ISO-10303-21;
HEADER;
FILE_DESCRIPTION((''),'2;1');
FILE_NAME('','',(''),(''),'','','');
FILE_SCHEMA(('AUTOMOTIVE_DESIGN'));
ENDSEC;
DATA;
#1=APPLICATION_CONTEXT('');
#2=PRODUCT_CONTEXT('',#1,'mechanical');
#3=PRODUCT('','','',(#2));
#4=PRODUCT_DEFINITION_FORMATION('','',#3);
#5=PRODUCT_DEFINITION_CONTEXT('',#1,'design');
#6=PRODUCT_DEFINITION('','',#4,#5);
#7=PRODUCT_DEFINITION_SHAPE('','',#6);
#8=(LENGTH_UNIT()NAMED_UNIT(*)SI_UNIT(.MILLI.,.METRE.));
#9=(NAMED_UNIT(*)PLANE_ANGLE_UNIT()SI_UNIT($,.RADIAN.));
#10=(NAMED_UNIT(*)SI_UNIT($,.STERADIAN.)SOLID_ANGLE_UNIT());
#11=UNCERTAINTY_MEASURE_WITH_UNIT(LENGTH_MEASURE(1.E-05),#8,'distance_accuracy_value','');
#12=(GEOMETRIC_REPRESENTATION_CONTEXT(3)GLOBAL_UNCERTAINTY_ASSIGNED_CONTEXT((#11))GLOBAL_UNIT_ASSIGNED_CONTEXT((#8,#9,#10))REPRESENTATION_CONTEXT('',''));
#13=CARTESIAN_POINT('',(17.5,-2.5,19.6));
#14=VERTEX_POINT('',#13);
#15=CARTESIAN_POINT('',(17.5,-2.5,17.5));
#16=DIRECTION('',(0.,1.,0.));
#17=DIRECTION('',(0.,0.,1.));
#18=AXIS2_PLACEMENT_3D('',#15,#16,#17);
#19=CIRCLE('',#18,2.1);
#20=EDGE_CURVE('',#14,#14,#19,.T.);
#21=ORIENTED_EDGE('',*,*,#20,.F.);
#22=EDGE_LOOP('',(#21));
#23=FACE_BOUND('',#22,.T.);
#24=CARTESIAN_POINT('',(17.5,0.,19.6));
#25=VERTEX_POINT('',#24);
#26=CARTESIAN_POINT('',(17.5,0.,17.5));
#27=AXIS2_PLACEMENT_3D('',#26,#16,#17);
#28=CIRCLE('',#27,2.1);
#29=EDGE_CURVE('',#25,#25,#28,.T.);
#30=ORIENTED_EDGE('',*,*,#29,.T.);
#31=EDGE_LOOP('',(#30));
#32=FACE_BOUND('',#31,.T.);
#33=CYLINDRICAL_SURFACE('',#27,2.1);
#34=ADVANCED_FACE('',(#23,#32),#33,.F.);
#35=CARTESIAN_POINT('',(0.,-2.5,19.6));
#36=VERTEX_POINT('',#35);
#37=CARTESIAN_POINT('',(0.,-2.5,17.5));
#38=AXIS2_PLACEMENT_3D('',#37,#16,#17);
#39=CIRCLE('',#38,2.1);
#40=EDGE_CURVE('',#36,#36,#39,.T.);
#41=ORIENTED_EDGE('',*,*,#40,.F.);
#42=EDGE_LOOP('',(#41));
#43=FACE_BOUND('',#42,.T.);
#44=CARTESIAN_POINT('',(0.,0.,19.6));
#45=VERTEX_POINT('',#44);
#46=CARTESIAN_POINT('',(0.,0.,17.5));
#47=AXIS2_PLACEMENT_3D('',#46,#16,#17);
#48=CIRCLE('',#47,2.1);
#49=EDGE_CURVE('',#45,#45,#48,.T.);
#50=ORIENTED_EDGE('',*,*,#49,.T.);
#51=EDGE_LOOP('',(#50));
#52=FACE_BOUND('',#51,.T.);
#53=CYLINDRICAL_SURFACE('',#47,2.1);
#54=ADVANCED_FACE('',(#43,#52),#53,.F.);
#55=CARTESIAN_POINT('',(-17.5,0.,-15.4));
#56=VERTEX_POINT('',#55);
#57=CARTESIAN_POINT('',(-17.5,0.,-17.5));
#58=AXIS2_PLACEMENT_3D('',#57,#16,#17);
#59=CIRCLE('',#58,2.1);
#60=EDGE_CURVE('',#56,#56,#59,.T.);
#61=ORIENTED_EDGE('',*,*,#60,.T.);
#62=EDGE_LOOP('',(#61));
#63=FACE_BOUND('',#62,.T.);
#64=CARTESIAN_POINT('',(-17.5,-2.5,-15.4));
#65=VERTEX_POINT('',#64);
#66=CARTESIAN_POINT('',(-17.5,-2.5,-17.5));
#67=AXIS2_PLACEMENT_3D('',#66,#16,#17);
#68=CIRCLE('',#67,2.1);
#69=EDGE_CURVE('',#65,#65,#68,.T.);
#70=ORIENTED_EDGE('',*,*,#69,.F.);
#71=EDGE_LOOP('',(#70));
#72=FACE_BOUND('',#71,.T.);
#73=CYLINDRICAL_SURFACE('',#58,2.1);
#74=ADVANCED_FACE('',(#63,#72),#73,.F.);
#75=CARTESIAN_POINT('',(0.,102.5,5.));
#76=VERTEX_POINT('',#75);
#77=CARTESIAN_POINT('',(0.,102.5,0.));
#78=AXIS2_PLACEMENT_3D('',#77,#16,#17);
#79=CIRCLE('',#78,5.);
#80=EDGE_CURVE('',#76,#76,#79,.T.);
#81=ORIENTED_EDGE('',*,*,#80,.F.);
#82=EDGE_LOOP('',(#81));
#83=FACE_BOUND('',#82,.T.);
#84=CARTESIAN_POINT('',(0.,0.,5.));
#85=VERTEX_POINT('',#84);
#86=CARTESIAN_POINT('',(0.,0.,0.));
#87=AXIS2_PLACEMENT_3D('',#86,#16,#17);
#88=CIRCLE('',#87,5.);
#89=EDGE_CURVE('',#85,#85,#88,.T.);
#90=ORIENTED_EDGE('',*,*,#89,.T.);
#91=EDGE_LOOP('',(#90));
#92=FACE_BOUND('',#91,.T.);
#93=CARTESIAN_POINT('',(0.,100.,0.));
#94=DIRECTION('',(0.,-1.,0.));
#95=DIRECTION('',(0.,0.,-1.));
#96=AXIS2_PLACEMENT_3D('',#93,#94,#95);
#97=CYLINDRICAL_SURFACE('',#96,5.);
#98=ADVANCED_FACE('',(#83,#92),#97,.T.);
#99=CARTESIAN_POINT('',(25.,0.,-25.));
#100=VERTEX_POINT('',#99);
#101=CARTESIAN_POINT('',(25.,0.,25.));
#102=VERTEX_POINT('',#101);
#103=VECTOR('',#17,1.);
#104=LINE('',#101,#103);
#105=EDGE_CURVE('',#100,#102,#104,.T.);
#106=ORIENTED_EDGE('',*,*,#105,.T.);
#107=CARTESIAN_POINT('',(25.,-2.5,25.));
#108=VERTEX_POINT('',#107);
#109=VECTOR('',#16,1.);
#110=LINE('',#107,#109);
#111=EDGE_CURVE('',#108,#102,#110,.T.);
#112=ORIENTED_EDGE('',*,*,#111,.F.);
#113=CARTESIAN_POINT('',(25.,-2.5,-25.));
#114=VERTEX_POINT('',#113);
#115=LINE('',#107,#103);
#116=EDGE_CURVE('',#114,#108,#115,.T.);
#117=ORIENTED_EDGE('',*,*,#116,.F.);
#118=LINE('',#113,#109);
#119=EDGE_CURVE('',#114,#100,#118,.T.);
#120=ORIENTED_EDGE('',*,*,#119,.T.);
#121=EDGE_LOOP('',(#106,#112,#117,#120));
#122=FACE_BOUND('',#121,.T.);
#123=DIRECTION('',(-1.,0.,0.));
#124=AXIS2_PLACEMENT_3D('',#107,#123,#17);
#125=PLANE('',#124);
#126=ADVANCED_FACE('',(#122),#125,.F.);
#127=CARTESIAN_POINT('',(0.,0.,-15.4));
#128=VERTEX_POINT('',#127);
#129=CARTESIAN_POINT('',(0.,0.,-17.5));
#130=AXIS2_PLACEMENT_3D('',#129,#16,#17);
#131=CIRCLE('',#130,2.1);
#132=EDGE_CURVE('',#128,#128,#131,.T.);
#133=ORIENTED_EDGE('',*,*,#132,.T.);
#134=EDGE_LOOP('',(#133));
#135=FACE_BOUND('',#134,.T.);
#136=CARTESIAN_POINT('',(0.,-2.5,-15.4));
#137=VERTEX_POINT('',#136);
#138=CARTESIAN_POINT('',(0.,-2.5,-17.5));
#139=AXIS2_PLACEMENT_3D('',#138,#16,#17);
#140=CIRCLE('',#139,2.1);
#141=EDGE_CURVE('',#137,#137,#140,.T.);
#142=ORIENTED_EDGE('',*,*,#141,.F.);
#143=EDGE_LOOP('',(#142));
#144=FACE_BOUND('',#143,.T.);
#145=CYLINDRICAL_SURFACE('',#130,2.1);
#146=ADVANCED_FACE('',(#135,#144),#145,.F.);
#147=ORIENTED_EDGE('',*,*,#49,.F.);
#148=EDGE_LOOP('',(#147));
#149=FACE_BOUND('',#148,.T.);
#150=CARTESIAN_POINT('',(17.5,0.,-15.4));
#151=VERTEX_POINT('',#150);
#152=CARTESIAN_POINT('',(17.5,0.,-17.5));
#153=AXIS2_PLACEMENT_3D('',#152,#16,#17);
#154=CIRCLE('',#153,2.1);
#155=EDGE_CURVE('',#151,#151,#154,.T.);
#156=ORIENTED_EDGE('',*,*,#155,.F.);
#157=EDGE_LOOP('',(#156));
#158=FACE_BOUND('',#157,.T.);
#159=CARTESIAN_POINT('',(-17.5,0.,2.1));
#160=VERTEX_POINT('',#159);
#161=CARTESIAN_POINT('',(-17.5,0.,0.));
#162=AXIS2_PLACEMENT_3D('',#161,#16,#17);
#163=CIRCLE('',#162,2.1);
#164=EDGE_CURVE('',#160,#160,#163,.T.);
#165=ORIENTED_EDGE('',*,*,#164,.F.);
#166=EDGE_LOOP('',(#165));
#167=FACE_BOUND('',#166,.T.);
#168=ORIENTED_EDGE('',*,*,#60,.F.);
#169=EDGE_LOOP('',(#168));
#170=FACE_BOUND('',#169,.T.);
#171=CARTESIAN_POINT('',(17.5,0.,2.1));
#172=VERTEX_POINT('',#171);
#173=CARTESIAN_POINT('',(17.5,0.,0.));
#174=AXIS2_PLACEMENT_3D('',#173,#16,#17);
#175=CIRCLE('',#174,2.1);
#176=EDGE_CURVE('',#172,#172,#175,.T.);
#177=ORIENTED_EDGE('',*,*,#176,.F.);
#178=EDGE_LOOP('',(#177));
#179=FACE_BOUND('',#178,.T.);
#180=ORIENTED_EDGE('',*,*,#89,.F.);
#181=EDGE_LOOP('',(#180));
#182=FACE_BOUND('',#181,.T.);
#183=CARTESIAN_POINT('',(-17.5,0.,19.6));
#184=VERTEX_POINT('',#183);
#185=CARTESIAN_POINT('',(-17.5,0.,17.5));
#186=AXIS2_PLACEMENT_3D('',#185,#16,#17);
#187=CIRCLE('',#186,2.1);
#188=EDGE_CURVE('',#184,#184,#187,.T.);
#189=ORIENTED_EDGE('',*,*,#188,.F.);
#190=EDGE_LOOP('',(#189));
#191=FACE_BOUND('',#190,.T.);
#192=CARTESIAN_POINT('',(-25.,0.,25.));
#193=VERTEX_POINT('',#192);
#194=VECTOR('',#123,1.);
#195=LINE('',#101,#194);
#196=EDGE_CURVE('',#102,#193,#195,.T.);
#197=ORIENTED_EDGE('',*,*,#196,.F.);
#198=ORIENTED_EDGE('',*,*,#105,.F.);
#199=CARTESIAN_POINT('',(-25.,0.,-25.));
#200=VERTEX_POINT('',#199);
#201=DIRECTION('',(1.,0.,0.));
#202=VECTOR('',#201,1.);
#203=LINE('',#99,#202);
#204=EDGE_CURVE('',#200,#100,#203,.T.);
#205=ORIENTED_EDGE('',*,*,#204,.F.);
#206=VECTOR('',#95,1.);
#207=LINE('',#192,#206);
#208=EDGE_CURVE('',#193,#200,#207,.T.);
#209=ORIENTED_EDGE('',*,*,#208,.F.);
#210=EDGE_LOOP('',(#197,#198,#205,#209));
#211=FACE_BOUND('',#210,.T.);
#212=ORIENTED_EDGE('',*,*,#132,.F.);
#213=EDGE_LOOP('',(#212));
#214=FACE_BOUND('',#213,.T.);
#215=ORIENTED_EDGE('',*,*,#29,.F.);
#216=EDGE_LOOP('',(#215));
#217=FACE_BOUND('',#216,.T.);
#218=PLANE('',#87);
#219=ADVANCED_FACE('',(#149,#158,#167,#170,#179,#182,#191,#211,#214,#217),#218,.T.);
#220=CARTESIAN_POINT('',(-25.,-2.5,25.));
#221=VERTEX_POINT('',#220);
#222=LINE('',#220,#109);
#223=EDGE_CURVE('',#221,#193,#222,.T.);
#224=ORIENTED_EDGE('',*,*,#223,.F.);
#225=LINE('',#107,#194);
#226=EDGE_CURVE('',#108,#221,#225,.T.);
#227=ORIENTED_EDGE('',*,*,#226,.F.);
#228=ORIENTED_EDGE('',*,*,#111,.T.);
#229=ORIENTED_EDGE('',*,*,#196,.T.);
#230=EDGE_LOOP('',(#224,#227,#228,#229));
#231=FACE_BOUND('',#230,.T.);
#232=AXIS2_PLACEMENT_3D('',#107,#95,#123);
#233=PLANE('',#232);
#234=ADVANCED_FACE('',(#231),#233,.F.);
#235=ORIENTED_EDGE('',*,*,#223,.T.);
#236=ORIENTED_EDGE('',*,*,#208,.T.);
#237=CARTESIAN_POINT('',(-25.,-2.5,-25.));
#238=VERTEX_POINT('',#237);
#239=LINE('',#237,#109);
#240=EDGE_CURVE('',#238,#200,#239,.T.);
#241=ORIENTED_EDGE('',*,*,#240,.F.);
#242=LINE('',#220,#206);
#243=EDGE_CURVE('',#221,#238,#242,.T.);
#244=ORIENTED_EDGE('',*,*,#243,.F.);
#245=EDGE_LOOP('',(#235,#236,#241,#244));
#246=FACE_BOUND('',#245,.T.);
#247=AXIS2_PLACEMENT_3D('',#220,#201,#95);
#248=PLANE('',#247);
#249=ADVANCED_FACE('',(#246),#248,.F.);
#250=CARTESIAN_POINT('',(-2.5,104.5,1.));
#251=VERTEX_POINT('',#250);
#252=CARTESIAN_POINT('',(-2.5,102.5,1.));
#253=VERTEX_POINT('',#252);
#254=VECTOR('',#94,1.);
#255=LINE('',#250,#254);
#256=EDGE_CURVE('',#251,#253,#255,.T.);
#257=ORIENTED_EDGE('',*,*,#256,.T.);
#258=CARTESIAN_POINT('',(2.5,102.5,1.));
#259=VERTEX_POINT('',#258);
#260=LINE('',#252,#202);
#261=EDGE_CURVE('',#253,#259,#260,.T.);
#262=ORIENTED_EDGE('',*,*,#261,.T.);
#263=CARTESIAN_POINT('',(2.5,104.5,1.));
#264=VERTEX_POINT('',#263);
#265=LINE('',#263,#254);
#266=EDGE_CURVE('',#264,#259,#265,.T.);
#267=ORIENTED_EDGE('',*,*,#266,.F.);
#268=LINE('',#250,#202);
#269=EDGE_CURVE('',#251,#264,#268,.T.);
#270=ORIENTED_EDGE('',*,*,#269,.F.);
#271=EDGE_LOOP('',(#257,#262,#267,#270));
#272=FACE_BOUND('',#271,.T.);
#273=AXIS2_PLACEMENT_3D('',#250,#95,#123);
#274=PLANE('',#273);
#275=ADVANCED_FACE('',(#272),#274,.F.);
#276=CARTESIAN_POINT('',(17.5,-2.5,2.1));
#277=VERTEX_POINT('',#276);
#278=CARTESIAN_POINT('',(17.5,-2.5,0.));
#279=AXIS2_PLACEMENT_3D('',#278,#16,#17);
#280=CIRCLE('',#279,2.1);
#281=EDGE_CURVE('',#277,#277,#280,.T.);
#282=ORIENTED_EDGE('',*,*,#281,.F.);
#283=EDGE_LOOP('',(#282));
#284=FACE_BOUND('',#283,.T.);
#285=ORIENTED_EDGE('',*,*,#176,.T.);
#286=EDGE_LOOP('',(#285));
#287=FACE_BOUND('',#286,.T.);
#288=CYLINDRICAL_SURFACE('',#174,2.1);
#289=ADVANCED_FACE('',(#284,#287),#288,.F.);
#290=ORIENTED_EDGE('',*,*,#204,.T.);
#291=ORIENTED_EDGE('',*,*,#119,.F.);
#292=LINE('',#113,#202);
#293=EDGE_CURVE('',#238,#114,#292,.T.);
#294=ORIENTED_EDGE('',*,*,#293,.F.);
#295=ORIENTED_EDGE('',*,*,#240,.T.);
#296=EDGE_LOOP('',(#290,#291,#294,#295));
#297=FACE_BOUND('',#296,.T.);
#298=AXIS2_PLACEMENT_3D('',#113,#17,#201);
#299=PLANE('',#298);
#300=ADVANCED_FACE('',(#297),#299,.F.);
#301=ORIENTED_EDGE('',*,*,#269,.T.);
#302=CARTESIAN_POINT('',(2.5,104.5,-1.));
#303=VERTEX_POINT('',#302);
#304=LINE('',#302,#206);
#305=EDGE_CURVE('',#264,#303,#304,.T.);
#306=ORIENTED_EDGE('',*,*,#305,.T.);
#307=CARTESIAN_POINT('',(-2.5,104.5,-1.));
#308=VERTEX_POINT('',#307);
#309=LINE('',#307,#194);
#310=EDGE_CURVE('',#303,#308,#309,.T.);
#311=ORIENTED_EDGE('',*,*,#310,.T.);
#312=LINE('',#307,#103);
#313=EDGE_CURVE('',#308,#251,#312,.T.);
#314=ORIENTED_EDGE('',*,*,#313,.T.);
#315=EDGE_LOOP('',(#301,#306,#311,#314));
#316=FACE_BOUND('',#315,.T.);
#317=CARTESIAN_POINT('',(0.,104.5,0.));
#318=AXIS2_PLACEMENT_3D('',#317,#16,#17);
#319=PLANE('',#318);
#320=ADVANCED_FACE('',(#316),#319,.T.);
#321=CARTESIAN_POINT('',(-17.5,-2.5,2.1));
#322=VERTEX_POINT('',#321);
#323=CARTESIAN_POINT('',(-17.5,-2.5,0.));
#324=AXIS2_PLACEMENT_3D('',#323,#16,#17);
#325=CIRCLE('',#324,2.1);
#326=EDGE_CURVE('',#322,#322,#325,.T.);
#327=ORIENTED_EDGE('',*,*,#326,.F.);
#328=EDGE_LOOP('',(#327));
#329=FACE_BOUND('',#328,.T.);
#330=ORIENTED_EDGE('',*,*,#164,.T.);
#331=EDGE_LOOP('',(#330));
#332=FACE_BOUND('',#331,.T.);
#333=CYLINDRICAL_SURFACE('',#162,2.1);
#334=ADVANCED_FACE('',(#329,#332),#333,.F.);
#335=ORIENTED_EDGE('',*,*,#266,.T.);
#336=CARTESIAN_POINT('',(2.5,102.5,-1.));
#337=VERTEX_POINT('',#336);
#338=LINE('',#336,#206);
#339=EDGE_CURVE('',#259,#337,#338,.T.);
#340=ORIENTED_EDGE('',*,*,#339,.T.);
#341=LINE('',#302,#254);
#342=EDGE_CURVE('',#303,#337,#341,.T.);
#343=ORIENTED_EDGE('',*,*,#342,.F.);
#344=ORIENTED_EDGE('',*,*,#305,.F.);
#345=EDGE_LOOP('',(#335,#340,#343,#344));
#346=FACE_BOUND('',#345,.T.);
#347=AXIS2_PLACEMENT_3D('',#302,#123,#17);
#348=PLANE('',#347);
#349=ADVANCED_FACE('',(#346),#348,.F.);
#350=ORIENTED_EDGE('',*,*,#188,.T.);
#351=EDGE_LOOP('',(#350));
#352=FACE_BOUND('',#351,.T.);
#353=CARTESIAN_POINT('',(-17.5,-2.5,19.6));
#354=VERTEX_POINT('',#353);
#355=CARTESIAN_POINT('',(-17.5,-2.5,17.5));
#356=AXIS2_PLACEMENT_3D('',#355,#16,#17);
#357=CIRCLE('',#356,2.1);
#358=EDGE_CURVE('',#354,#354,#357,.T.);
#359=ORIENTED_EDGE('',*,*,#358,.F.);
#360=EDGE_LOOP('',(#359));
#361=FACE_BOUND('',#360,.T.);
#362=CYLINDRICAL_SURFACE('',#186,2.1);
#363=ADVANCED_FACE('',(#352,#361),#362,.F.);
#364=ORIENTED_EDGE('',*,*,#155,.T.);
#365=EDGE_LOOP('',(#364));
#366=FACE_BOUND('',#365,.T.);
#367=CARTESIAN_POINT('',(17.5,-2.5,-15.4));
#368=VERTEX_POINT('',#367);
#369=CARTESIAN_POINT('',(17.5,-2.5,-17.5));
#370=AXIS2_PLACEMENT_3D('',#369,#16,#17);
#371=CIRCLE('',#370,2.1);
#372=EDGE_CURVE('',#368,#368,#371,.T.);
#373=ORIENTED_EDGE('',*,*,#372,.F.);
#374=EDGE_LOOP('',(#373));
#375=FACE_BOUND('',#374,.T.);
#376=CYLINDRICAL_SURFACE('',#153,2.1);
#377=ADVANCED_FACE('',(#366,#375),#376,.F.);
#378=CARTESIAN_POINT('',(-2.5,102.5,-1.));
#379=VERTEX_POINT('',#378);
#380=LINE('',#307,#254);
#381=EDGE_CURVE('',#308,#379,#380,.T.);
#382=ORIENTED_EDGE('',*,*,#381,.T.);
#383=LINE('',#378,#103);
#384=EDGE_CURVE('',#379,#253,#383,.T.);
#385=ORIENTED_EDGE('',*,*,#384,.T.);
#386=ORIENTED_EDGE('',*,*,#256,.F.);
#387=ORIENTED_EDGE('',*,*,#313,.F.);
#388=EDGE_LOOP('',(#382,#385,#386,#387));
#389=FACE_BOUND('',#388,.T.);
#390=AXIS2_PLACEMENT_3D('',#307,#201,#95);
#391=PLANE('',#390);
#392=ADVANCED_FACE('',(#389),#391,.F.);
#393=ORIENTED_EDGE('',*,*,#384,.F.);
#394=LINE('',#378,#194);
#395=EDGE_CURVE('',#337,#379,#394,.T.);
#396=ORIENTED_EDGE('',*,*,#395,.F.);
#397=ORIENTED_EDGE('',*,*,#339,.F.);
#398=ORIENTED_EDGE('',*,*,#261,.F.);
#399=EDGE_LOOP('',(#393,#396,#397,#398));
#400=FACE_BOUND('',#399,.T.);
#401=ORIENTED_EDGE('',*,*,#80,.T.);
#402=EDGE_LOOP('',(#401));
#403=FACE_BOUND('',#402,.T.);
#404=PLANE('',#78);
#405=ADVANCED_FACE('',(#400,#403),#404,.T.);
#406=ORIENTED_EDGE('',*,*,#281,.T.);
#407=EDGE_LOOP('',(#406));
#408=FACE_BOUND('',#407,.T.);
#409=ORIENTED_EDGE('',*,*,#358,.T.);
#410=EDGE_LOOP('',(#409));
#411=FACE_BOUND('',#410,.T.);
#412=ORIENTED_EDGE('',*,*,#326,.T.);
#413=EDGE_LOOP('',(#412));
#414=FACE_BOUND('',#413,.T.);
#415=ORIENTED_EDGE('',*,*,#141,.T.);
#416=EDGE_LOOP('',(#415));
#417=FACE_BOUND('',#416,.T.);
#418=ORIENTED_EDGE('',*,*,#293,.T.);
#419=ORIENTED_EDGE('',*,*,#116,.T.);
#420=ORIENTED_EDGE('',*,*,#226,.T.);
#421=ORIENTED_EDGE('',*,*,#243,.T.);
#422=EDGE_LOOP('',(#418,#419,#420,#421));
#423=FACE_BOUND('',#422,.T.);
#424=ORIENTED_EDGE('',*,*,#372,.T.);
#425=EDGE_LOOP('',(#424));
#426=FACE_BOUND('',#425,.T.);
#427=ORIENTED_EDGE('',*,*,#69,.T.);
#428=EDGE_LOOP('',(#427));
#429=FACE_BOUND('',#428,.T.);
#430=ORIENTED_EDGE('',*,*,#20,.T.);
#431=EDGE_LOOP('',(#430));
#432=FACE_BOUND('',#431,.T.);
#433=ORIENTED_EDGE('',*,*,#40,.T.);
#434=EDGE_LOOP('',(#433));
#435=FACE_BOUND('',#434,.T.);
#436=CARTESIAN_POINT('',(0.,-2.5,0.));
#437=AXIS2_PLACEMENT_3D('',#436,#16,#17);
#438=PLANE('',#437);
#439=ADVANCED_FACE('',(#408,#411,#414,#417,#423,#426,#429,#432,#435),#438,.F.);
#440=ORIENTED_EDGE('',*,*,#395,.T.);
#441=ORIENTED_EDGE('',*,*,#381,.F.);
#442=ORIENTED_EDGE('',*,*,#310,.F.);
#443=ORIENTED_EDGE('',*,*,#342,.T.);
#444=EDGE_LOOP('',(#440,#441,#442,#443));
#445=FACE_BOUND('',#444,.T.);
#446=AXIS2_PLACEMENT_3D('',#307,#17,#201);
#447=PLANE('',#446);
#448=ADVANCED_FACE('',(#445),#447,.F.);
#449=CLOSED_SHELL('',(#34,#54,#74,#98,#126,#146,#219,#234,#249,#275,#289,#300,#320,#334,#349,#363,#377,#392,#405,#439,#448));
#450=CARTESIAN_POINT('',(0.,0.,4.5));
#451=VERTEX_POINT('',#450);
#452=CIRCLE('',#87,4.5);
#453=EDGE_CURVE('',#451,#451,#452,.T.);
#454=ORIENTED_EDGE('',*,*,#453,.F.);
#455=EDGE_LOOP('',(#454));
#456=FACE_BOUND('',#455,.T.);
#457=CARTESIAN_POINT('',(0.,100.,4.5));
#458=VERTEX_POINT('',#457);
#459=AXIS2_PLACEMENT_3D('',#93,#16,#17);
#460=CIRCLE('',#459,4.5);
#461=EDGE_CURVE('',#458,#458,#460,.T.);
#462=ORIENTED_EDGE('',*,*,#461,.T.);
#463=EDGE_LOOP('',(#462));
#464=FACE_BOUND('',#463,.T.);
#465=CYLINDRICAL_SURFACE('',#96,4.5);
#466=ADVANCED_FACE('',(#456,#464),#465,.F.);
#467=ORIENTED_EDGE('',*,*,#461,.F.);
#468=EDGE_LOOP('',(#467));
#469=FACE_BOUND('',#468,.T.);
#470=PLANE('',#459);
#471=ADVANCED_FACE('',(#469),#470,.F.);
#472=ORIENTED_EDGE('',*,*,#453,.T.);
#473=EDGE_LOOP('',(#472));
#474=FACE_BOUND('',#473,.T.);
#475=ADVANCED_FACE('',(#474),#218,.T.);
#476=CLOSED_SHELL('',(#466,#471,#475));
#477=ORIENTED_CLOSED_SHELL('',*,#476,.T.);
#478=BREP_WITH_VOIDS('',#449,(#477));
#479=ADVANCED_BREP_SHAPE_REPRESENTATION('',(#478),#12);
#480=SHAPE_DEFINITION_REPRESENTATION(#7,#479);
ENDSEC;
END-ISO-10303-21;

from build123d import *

# Parameters (mm, degrees)
SKETCH1_R                 = 5
SKETCH1_R_2               = 4.5
BOSS_EXTRUDE1_DEPTH       = 100
SKETCH2_R                 = 5
BOSS_EXTRUDE2_DEPTH       = 2.5
SKETCH3_W                 = 50
SKETCH3_H                 = 50
BOSS_EXTRUDE3_DEPTH       = 2.5
M5X0_8_TAPPED_HOLE1_D     = 4.2
M5X0_8_TAPPED_HOLE1_DEPTH = 14
M5X0_8_TAPPED_HOLE1_TIP   = 1.2618073
SKETCH6_W                 = 5
SKETCH6_H                 = 2
BOSS_EXTRUDE5_DEPTH       = 2


with BuildPart() as part:
    # Sketch1 → Boss-Extrude1 (new body)
    with BuildSketch(Plane(origin=(0, 0, 0), x_dir=(1, 0, 0), z_dir=(0, 1, 0))):
        with Locations(Location((0, 0, 0), (0, 0, 270))):
            Circle(SKETCH1_R)
        with Locations(Location((0, 0, 0), (0, 0, 270))):
            Circle(SKETCH1_R_2, mode=Mode.SUBTRACT)
    extrude(amount=BOSS_EXTRUDE1_DEPTH)

    # Sketch2 → Boss-Extrude2 (add)
    with BuildSketch(Plane(origin=(0, 100, 0), x_dir=(1, 0, 0), z_dir=(0, 1, 0))):
        with Locations(Location((0, 0, 0), (0, 0, 270))):
            Circle(SKETCH2_R)
    extrude(amount=BOSS_EXTRUDE2_DEPTH)

    # Sketch3 → Boss-Extrude3 (add)
    with BuildSketch(Plane.XZ):
        Rectangle(SKETCH3_W, SKETCH3_H)
    extrude(amount=BOSS_EXTRUDE3_DEPTH)

    # M5x0.8 Tapped Hole1
    with Locations(Plane(origin=(0, 0, 0), x_dir=(1, 0, 0), z_dir=(0, 1, 0))):
        with Locations((-17.5, 0), (-17.5, -17.5), (0, -17.5), (17.5, -17.5), (17.5, 0), (17.5, 17.5), (0, 17.5), (-17.5, 17.5)):
            Hole(M5X0_8_TAPPED_HOLE1_D / 2, depth=M5X0_8_TAPPED_HOLE1_DEPTH)
            with Locations((0, 0, -(M5X0_8_TAPPED_HOLE1_DEPTH + M5X0_8_TAPPED_HOLE1_TIP / 2))):  # 118° drill point
                Cone(0, M5X0_8_TAPPED_HOLE1_D / 2, M5X0_8_TAPPED_HOLE1_TIP, mode=Mode.SUBTRACT)

    # Sketch6 → Boss-Extrude5 (add)
    with BuildSketch(Plane(origin=(0, 102.5, 0), x_dir=(1, 0, 0), z_dir=(0, 1, 0))):
        Rectangle(SKETCH6_W, SKETCH6_H)
    extrude(amount=BOSS_EXTRUDE5_DEPTH)


solid = part.part
